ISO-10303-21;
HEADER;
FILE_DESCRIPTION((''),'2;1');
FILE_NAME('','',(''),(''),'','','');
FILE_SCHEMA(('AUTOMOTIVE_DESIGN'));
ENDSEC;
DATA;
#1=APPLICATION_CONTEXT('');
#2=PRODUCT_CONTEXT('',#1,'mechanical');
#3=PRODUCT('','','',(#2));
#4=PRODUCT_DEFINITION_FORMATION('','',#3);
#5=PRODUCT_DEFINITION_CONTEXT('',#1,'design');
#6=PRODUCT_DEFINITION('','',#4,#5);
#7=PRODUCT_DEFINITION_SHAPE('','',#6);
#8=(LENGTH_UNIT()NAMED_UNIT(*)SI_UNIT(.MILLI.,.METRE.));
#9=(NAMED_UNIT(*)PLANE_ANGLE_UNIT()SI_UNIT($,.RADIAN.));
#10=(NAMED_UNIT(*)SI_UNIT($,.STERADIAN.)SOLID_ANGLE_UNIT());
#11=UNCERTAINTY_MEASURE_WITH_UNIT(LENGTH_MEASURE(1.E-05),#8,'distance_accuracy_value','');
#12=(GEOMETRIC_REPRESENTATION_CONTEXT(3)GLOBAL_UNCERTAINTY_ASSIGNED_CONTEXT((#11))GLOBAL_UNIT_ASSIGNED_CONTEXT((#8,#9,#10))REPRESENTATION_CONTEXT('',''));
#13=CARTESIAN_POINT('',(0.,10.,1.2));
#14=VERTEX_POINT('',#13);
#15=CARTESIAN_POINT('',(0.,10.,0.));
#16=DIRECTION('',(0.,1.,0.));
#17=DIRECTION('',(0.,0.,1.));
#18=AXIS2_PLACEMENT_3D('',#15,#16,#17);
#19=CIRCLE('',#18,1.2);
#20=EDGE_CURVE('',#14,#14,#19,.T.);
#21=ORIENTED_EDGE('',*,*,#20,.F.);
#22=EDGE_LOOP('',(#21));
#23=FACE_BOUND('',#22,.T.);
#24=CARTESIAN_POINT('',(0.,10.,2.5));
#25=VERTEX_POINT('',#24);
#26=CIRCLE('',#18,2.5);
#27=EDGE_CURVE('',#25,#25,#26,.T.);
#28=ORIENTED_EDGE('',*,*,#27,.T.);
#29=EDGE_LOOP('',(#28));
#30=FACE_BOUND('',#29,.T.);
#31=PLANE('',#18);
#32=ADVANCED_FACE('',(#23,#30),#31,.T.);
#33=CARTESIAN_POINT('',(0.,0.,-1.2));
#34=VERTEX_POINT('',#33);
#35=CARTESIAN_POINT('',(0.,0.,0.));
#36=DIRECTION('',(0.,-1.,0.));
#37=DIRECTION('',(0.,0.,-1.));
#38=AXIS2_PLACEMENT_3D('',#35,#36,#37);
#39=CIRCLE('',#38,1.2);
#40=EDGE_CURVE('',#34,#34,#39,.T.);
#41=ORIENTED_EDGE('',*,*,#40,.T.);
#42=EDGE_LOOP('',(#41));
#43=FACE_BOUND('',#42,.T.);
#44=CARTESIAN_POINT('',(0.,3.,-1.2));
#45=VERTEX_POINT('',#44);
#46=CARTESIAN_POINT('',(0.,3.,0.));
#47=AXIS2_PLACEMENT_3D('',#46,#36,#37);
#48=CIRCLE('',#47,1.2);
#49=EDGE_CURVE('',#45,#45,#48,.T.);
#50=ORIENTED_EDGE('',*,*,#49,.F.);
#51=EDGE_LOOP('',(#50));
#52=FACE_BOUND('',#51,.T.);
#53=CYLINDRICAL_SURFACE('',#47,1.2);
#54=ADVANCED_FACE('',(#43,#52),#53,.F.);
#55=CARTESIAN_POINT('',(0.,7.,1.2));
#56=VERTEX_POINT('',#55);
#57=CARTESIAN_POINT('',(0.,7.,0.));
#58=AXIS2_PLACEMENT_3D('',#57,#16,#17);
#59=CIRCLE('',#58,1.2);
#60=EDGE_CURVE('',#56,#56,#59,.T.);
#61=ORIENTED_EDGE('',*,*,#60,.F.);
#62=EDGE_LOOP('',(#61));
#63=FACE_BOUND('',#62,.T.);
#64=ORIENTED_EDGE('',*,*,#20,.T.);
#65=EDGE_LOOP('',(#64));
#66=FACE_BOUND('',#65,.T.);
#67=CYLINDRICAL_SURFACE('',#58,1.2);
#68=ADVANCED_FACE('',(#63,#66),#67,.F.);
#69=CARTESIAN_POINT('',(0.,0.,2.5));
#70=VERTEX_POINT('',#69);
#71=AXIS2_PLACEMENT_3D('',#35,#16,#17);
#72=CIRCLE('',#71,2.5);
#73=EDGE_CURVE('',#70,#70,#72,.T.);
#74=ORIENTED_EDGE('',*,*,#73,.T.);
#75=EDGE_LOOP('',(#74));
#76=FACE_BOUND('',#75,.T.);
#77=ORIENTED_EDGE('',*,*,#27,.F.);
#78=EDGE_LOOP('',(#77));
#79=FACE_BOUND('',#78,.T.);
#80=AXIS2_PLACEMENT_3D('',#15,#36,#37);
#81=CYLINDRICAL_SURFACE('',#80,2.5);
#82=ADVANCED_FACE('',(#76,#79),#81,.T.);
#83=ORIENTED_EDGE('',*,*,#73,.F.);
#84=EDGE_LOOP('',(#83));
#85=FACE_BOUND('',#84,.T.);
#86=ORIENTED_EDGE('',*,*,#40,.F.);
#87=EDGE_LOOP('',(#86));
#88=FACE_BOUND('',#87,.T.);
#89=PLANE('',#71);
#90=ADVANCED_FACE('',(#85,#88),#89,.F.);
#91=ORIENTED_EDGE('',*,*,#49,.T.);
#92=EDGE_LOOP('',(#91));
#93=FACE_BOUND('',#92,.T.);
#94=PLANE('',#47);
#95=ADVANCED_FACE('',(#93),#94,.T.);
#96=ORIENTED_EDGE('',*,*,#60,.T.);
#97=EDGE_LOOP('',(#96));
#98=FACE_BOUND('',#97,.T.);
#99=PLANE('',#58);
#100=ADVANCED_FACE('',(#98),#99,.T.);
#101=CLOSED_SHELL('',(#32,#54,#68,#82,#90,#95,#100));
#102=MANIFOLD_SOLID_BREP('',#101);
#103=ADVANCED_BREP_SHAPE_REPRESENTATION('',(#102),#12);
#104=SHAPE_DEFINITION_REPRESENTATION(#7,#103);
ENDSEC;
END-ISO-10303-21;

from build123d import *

# Parameters (mm, degrees)
SKIZZE1_R                       = 2.5
AUFSATZ_LINEAR_AUSTRAGEN1_DEPTH = 10
SKIZZE2_R                       = 1.2
SCHNITT_LINEAR_AUSTRAGEN1_DEPTH = 3
SKIZZE3_R                       = 1.2
SCHNITT_LINEAR_AUSTRAGEN2_DEPTH = 3


with BuildPart() as part:
    # Skizze1 → Aufsatz-Linear austragen1 (new body)
    with BuildSketch(Plane(origin=(0, 0, 0), x_dir=(1, 0, 0), z_dir=(0, 1, 0))):
        Circle(SKIZZE1_R)
    extrude(amount=AUFSATZ_LINEAR_AUSTRAGEN1_DEPTH)

    # Skizze2 → Schnitt-Linear austragen1 (cut)
    with BuildSketch(Plane(origin=(0, 10, 0), x_dir=(1, 0, 0), z_dir=(0, 1, 0))):
        Circle(SKIZZE2_R)
    extrude(amount=-SCHNITT_LINEAR_AUSTRAGEN1_DEPTH, mode=Mode.SUBTRACT)

    # Skizze3 → Schnitt-Linear austragen2 (cut)
    with BuildSketch(Plane.XZ):
        Circle(SKIZZE3_R)
    extrude(amount=-SCHNITT_LINEAR_AUSTRAGEN2_DEPTH, mode=Mode.SUBTRACT)


solid = part.part
